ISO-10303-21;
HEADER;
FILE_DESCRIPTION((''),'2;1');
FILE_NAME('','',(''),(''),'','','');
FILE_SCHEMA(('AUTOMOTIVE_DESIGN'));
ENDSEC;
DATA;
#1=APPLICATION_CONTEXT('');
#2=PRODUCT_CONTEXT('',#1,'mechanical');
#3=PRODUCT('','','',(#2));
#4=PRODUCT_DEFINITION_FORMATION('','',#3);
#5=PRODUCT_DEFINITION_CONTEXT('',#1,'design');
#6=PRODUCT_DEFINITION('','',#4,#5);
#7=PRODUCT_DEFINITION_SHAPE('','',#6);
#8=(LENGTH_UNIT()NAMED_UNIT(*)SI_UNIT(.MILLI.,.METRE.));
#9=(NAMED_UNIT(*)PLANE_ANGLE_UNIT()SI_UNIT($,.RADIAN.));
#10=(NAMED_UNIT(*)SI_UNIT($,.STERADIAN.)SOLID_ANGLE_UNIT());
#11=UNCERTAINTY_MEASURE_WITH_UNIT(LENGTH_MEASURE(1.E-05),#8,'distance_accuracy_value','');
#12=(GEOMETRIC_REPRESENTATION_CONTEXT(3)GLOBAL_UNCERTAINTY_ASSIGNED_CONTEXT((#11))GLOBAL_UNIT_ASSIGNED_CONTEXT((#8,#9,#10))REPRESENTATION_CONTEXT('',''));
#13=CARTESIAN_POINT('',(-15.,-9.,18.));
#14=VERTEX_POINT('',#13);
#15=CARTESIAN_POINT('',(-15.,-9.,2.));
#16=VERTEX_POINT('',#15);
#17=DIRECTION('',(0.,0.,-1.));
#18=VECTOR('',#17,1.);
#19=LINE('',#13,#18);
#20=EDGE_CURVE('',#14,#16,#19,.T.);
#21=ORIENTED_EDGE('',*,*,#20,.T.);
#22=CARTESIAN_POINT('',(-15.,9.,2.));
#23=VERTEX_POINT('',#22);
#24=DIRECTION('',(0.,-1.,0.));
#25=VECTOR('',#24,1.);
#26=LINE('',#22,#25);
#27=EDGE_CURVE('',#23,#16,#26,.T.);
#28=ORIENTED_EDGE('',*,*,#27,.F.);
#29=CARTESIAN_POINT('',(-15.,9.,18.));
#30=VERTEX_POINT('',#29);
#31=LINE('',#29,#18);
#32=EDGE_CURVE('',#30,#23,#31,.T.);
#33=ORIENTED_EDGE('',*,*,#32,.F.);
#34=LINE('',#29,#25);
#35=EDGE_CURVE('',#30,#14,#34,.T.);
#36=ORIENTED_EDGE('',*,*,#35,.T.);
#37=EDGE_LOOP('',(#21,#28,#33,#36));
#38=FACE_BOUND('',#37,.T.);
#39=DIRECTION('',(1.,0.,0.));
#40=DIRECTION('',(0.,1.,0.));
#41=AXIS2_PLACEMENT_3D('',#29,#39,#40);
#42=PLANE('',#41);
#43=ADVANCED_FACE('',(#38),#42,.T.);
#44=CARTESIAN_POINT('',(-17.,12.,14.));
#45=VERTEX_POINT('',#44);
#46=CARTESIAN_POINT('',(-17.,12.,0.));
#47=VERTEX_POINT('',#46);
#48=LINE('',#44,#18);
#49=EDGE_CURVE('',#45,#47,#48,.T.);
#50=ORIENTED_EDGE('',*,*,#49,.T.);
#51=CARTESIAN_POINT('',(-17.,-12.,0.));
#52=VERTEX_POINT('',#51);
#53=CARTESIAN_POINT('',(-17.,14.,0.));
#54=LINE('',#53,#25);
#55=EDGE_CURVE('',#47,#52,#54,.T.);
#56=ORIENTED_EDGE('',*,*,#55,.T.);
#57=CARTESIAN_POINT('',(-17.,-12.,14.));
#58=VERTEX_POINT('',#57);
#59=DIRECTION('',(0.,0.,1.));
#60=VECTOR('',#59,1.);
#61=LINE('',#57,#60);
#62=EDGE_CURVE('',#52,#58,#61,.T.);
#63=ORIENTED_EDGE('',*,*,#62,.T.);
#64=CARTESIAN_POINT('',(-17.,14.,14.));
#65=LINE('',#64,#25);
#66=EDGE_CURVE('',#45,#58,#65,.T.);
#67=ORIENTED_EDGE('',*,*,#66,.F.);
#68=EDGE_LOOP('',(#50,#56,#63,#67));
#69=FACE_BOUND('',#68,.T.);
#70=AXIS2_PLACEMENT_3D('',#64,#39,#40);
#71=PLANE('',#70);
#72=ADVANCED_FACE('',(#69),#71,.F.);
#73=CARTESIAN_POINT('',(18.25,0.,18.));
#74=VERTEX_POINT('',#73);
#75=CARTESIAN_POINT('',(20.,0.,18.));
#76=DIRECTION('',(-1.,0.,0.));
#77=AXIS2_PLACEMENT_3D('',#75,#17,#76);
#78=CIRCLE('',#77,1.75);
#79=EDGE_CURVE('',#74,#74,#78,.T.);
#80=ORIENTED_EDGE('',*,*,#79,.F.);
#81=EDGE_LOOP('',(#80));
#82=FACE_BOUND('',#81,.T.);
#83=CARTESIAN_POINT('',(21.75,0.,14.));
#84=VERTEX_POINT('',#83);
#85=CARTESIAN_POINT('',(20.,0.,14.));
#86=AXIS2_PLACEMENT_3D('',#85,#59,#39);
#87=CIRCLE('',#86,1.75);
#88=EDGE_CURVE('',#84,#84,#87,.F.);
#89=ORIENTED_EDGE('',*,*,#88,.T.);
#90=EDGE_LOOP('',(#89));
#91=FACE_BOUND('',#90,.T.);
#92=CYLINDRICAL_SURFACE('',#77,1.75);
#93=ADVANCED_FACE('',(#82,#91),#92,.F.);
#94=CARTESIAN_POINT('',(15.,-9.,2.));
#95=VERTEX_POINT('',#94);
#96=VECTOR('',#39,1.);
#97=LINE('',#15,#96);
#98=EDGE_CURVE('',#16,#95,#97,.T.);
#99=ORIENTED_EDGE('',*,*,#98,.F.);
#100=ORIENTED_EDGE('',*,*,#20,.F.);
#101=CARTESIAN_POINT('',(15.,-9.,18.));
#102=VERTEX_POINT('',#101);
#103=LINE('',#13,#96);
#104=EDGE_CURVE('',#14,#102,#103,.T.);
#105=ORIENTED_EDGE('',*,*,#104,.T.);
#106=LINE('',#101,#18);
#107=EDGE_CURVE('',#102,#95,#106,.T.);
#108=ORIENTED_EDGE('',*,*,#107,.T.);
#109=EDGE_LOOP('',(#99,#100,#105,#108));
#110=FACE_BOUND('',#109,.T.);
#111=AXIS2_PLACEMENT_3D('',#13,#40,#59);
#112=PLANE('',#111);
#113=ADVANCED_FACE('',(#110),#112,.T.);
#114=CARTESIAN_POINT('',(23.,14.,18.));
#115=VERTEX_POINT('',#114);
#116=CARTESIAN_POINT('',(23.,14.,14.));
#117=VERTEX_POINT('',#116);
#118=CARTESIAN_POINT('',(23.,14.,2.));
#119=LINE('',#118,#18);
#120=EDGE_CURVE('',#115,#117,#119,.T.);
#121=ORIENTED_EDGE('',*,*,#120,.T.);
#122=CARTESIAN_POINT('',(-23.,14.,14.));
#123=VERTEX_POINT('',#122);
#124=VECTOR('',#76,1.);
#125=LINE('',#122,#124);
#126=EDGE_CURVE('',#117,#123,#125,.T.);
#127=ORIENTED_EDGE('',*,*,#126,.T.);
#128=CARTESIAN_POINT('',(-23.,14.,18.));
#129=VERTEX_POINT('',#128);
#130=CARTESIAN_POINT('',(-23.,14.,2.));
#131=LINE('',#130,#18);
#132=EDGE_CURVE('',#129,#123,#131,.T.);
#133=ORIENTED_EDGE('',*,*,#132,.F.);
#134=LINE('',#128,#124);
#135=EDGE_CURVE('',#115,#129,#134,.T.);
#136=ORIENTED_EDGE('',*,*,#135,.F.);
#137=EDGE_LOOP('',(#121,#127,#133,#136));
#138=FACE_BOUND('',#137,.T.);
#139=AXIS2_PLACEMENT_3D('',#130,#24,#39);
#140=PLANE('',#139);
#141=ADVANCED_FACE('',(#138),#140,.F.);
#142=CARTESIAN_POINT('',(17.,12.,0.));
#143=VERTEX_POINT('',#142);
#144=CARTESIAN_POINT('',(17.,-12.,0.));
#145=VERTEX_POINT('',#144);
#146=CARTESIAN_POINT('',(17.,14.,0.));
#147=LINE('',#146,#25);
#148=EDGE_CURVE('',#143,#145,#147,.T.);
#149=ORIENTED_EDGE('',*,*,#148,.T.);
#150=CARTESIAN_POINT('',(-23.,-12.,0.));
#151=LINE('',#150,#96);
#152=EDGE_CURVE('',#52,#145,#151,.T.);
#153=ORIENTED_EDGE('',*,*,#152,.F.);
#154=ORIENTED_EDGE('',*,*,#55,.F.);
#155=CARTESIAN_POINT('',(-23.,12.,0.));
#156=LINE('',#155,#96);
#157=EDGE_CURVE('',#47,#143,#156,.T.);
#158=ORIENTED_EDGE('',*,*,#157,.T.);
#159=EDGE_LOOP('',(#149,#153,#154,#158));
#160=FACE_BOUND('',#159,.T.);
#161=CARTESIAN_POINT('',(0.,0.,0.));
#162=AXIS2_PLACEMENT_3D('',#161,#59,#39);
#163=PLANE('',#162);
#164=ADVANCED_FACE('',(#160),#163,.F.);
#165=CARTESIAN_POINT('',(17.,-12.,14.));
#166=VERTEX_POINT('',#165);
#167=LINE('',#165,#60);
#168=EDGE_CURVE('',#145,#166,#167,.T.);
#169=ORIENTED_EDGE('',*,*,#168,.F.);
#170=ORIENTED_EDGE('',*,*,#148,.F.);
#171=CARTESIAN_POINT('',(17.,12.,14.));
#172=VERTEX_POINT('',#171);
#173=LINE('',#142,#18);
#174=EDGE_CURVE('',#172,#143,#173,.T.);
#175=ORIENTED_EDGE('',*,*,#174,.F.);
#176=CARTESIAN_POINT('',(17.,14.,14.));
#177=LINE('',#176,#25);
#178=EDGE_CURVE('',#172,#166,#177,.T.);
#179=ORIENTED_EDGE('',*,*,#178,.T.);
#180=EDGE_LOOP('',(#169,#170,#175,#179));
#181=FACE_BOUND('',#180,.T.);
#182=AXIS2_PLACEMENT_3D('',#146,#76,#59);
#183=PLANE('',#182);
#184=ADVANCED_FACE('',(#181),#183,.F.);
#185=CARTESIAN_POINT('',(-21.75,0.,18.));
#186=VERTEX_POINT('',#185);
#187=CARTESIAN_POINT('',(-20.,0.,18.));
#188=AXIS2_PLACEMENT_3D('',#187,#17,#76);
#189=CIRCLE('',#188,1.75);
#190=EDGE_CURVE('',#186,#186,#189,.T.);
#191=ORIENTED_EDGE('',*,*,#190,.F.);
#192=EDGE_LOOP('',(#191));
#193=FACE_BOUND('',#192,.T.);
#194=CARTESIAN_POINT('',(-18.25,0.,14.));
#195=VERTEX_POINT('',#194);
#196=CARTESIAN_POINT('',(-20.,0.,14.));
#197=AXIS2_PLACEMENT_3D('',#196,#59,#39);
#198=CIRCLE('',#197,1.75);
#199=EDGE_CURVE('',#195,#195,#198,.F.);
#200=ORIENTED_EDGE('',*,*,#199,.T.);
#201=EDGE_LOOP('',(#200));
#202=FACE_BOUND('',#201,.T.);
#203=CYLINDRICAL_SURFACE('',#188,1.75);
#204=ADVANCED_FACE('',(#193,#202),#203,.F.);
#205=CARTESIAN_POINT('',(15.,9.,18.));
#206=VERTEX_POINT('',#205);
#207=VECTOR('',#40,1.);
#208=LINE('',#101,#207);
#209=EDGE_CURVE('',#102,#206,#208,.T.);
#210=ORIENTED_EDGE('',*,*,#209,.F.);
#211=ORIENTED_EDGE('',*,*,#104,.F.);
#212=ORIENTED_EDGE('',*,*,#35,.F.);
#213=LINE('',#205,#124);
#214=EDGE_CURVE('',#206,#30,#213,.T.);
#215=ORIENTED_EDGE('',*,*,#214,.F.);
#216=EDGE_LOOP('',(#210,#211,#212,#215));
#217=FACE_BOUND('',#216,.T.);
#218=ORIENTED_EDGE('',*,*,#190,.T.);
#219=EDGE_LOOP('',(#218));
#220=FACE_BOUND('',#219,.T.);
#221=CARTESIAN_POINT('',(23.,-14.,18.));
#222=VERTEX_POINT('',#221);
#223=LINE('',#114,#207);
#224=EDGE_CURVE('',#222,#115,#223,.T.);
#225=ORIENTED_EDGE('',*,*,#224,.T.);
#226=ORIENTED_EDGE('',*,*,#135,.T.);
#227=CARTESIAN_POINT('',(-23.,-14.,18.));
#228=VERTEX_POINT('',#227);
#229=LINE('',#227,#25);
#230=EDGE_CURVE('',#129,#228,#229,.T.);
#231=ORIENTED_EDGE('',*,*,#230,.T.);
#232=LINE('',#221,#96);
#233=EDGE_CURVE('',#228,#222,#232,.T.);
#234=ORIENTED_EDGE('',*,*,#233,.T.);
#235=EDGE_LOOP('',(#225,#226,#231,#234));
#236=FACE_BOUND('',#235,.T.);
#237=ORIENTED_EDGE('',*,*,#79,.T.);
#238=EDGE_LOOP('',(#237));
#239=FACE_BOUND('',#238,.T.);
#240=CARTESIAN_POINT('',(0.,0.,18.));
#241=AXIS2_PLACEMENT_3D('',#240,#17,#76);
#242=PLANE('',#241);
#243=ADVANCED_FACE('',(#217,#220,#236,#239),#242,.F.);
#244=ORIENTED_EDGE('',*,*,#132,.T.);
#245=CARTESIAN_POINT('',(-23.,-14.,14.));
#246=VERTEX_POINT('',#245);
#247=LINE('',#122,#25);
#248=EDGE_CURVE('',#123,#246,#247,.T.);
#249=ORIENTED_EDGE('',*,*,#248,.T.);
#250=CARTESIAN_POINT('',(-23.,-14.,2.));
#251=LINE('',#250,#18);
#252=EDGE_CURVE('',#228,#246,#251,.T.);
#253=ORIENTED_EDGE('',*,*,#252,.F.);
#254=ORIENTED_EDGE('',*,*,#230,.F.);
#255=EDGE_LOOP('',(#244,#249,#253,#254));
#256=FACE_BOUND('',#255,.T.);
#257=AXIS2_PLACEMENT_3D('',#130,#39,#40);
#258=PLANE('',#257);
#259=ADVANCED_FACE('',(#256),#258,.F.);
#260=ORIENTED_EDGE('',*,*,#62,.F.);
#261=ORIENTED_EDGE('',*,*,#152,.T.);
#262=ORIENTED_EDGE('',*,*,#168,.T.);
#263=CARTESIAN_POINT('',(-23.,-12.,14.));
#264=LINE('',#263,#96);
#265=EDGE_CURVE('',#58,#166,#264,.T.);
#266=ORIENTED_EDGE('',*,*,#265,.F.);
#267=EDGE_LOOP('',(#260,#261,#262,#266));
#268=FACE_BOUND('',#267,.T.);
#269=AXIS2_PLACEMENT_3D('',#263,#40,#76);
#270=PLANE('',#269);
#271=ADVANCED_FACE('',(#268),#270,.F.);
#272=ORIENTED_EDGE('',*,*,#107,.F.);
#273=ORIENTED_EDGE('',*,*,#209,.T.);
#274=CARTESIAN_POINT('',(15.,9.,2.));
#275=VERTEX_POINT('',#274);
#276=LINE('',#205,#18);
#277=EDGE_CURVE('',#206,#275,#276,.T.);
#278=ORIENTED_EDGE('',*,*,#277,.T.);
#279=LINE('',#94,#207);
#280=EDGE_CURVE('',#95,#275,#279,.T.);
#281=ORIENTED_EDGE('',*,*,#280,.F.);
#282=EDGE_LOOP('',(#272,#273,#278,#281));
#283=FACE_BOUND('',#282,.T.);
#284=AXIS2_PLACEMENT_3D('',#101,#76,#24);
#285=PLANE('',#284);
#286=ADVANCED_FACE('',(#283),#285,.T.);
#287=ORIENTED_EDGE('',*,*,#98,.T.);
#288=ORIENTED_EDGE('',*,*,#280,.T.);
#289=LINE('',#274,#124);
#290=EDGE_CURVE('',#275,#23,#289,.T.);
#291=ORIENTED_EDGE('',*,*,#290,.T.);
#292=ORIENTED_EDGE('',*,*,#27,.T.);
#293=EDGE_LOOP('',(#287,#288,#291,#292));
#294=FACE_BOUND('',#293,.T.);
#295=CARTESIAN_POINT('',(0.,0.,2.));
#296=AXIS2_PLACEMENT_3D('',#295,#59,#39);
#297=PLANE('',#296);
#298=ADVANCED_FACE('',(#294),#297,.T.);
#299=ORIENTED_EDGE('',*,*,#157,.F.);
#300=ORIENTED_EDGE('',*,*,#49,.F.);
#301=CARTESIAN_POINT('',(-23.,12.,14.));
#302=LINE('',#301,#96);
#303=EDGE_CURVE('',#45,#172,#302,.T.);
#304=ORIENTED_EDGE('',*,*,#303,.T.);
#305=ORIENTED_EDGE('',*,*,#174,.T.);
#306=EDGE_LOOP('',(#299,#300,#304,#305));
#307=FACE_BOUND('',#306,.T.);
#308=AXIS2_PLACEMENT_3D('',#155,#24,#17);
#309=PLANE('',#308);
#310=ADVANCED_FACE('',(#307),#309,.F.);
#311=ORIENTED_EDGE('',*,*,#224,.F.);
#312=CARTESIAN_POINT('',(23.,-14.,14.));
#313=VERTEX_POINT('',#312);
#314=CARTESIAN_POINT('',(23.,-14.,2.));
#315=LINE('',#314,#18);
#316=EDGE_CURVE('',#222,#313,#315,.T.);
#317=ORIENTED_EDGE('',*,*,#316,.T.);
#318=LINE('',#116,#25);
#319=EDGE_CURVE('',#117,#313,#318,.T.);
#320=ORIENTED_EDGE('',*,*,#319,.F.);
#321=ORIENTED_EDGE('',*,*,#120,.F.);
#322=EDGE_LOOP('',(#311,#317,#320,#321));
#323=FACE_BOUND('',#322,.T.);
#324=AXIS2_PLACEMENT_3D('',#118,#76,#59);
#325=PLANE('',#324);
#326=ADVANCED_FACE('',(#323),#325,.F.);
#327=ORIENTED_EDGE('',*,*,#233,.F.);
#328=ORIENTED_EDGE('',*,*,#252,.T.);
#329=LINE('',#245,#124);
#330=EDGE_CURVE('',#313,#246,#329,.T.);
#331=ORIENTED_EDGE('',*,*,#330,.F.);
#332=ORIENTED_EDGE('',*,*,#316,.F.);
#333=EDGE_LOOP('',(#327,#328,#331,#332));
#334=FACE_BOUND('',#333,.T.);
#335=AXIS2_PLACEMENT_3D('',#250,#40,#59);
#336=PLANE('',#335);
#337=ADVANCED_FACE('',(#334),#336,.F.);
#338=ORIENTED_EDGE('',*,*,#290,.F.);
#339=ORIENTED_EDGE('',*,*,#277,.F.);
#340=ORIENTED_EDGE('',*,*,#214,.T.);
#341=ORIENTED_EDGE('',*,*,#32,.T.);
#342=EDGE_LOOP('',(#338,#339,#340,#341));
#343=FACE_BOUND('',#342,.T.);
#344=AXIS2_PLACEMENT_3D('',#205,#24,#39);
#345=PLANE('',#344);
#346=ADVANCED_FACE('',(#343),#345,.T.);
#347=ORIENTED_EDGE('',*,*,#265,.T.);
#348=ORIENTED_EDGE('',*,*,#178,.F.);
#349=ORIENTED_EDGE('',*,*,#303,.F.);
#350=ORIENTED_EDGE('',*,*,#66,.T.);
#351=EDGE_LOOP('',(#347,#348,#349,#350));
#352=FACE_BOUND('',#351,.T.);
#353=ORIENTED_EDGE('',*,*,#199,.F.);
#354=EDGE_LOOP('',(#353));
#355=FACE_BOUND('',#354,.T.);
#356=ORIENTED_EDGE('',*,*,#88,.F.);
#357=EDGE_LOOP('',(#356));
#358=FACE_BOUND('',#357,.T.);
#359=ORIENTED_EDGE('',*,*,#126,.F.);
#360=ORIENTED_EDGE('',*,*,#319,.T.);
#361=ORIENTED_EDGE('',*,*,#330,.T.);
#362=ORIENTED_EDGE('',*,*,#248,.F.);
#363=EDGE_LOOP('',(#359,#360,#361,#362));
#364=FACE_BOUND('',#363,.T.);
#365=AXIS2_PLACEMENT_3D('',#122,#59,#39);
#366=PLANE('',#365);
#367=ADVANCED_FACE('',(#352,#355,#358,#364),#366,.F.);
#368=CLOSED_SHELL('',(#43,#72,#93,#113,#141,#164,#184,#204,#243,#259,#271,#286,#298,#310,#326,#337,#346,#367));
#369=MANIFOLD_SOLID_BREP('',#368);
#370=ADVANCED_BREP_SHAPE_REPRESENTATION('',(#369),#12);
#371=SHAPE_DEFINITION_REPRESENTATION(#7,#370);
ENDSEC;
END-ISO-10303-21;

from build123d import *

# Parameters (mm, degrees)
CROQUIS1_W              = 46
CROQUIS1_H              = 28
SALIENTE_EXTRUIR1_DEPTH = 2
CROQUIS2_W              = 46
CROQUIS2_H              = 28
CROQUIS2_W_2            = 30
CROQUIS2_H_2            = 18
SALIENTE_EXTRUIR2_DEPTH = 16
CROQUIS3_R              = 1.75
AGUJEROS_DEPTH          = 18
CROQUIS5_W              = 6
CROQUIS5_H              = 14
CORTAR_BORDES_DEPTH     = 41.459856648
CROQUIS6_W              = 14
CROQUIS6_H              = 2
CORTAR_EXTRUIR3_DEPTH   = 47.043457733


with BuildPart() as part:
    # Croquis1 → Saliente-Extruir1 (new body)
    with BuildSketch(Plane.XY):
        Rectangle(CROQUIS1_W, CROQUIS1_H)
    extrude(amount=SALIENTE_EXTRUIR1_DEPTH)

    # Croquis2 → Saliente-Extruir2 (add)
    with BuildSketch(Plane.XY.offset(2)):
        Rectangle(CROQUIS2_W, CROQUIS2_H)
        Rectangle(CROQUIS2_W_2, CROQUIS2_H_2, mode=Mode.SUBTRACT)
    extrude(amount=SALIENTE_EXTRUIR2_DEPTH)

    # Croquis3 → Agujeros (cut)
    with BuildSketch(Plane(origin=(0, 0, 0), x_dir=(-1, 0, 0), z_dir=(0, 0, -1))):
        with Locations((-20, 0)):
            Circle(CROQUIS3_R)
        with Locations((20, 0)):
            Circle(CROQUIS3_R)
    extrude(amount=-AGUJEROS_DEPTH, mode=Mode.SUBTRACT)

    # Croquis5 → Cortar bordes (cut, through all)
    with BuildSketch(Plane.XZ.offset(14)):
        with Locations((-20, 7)):
            Rectangle(CROQUIS5_W, CROQUIS5_H)
        with Locations((20, 7)):
            Rectangle(CROQUIS5_W, CROQUIS5_H)
    extrude(amount=-CORTAR_BORDES_DEPTH, mode=Mode.SUBTRACT)

    # Croquis6 → Cortar-Extruir3 (cut, through all)
    with BuildSketch(Plane(origin=(17, 0, 0), x_dir=(0, 0, -1), z_dir=(1, 0, 0))):
        with Locations((-7, 13)):
            Rectangle(CROQUIS6_W, CROQUIS6_H)
        with Locations((-7, -13)):
            Rectangle(CROQUIS6_W, CROQUIS6_H)
    extrude(amount=-CORTAR_EXTRUIR3_DEPTH, mode=Mode.SUBTRACT)


solid = part.part
